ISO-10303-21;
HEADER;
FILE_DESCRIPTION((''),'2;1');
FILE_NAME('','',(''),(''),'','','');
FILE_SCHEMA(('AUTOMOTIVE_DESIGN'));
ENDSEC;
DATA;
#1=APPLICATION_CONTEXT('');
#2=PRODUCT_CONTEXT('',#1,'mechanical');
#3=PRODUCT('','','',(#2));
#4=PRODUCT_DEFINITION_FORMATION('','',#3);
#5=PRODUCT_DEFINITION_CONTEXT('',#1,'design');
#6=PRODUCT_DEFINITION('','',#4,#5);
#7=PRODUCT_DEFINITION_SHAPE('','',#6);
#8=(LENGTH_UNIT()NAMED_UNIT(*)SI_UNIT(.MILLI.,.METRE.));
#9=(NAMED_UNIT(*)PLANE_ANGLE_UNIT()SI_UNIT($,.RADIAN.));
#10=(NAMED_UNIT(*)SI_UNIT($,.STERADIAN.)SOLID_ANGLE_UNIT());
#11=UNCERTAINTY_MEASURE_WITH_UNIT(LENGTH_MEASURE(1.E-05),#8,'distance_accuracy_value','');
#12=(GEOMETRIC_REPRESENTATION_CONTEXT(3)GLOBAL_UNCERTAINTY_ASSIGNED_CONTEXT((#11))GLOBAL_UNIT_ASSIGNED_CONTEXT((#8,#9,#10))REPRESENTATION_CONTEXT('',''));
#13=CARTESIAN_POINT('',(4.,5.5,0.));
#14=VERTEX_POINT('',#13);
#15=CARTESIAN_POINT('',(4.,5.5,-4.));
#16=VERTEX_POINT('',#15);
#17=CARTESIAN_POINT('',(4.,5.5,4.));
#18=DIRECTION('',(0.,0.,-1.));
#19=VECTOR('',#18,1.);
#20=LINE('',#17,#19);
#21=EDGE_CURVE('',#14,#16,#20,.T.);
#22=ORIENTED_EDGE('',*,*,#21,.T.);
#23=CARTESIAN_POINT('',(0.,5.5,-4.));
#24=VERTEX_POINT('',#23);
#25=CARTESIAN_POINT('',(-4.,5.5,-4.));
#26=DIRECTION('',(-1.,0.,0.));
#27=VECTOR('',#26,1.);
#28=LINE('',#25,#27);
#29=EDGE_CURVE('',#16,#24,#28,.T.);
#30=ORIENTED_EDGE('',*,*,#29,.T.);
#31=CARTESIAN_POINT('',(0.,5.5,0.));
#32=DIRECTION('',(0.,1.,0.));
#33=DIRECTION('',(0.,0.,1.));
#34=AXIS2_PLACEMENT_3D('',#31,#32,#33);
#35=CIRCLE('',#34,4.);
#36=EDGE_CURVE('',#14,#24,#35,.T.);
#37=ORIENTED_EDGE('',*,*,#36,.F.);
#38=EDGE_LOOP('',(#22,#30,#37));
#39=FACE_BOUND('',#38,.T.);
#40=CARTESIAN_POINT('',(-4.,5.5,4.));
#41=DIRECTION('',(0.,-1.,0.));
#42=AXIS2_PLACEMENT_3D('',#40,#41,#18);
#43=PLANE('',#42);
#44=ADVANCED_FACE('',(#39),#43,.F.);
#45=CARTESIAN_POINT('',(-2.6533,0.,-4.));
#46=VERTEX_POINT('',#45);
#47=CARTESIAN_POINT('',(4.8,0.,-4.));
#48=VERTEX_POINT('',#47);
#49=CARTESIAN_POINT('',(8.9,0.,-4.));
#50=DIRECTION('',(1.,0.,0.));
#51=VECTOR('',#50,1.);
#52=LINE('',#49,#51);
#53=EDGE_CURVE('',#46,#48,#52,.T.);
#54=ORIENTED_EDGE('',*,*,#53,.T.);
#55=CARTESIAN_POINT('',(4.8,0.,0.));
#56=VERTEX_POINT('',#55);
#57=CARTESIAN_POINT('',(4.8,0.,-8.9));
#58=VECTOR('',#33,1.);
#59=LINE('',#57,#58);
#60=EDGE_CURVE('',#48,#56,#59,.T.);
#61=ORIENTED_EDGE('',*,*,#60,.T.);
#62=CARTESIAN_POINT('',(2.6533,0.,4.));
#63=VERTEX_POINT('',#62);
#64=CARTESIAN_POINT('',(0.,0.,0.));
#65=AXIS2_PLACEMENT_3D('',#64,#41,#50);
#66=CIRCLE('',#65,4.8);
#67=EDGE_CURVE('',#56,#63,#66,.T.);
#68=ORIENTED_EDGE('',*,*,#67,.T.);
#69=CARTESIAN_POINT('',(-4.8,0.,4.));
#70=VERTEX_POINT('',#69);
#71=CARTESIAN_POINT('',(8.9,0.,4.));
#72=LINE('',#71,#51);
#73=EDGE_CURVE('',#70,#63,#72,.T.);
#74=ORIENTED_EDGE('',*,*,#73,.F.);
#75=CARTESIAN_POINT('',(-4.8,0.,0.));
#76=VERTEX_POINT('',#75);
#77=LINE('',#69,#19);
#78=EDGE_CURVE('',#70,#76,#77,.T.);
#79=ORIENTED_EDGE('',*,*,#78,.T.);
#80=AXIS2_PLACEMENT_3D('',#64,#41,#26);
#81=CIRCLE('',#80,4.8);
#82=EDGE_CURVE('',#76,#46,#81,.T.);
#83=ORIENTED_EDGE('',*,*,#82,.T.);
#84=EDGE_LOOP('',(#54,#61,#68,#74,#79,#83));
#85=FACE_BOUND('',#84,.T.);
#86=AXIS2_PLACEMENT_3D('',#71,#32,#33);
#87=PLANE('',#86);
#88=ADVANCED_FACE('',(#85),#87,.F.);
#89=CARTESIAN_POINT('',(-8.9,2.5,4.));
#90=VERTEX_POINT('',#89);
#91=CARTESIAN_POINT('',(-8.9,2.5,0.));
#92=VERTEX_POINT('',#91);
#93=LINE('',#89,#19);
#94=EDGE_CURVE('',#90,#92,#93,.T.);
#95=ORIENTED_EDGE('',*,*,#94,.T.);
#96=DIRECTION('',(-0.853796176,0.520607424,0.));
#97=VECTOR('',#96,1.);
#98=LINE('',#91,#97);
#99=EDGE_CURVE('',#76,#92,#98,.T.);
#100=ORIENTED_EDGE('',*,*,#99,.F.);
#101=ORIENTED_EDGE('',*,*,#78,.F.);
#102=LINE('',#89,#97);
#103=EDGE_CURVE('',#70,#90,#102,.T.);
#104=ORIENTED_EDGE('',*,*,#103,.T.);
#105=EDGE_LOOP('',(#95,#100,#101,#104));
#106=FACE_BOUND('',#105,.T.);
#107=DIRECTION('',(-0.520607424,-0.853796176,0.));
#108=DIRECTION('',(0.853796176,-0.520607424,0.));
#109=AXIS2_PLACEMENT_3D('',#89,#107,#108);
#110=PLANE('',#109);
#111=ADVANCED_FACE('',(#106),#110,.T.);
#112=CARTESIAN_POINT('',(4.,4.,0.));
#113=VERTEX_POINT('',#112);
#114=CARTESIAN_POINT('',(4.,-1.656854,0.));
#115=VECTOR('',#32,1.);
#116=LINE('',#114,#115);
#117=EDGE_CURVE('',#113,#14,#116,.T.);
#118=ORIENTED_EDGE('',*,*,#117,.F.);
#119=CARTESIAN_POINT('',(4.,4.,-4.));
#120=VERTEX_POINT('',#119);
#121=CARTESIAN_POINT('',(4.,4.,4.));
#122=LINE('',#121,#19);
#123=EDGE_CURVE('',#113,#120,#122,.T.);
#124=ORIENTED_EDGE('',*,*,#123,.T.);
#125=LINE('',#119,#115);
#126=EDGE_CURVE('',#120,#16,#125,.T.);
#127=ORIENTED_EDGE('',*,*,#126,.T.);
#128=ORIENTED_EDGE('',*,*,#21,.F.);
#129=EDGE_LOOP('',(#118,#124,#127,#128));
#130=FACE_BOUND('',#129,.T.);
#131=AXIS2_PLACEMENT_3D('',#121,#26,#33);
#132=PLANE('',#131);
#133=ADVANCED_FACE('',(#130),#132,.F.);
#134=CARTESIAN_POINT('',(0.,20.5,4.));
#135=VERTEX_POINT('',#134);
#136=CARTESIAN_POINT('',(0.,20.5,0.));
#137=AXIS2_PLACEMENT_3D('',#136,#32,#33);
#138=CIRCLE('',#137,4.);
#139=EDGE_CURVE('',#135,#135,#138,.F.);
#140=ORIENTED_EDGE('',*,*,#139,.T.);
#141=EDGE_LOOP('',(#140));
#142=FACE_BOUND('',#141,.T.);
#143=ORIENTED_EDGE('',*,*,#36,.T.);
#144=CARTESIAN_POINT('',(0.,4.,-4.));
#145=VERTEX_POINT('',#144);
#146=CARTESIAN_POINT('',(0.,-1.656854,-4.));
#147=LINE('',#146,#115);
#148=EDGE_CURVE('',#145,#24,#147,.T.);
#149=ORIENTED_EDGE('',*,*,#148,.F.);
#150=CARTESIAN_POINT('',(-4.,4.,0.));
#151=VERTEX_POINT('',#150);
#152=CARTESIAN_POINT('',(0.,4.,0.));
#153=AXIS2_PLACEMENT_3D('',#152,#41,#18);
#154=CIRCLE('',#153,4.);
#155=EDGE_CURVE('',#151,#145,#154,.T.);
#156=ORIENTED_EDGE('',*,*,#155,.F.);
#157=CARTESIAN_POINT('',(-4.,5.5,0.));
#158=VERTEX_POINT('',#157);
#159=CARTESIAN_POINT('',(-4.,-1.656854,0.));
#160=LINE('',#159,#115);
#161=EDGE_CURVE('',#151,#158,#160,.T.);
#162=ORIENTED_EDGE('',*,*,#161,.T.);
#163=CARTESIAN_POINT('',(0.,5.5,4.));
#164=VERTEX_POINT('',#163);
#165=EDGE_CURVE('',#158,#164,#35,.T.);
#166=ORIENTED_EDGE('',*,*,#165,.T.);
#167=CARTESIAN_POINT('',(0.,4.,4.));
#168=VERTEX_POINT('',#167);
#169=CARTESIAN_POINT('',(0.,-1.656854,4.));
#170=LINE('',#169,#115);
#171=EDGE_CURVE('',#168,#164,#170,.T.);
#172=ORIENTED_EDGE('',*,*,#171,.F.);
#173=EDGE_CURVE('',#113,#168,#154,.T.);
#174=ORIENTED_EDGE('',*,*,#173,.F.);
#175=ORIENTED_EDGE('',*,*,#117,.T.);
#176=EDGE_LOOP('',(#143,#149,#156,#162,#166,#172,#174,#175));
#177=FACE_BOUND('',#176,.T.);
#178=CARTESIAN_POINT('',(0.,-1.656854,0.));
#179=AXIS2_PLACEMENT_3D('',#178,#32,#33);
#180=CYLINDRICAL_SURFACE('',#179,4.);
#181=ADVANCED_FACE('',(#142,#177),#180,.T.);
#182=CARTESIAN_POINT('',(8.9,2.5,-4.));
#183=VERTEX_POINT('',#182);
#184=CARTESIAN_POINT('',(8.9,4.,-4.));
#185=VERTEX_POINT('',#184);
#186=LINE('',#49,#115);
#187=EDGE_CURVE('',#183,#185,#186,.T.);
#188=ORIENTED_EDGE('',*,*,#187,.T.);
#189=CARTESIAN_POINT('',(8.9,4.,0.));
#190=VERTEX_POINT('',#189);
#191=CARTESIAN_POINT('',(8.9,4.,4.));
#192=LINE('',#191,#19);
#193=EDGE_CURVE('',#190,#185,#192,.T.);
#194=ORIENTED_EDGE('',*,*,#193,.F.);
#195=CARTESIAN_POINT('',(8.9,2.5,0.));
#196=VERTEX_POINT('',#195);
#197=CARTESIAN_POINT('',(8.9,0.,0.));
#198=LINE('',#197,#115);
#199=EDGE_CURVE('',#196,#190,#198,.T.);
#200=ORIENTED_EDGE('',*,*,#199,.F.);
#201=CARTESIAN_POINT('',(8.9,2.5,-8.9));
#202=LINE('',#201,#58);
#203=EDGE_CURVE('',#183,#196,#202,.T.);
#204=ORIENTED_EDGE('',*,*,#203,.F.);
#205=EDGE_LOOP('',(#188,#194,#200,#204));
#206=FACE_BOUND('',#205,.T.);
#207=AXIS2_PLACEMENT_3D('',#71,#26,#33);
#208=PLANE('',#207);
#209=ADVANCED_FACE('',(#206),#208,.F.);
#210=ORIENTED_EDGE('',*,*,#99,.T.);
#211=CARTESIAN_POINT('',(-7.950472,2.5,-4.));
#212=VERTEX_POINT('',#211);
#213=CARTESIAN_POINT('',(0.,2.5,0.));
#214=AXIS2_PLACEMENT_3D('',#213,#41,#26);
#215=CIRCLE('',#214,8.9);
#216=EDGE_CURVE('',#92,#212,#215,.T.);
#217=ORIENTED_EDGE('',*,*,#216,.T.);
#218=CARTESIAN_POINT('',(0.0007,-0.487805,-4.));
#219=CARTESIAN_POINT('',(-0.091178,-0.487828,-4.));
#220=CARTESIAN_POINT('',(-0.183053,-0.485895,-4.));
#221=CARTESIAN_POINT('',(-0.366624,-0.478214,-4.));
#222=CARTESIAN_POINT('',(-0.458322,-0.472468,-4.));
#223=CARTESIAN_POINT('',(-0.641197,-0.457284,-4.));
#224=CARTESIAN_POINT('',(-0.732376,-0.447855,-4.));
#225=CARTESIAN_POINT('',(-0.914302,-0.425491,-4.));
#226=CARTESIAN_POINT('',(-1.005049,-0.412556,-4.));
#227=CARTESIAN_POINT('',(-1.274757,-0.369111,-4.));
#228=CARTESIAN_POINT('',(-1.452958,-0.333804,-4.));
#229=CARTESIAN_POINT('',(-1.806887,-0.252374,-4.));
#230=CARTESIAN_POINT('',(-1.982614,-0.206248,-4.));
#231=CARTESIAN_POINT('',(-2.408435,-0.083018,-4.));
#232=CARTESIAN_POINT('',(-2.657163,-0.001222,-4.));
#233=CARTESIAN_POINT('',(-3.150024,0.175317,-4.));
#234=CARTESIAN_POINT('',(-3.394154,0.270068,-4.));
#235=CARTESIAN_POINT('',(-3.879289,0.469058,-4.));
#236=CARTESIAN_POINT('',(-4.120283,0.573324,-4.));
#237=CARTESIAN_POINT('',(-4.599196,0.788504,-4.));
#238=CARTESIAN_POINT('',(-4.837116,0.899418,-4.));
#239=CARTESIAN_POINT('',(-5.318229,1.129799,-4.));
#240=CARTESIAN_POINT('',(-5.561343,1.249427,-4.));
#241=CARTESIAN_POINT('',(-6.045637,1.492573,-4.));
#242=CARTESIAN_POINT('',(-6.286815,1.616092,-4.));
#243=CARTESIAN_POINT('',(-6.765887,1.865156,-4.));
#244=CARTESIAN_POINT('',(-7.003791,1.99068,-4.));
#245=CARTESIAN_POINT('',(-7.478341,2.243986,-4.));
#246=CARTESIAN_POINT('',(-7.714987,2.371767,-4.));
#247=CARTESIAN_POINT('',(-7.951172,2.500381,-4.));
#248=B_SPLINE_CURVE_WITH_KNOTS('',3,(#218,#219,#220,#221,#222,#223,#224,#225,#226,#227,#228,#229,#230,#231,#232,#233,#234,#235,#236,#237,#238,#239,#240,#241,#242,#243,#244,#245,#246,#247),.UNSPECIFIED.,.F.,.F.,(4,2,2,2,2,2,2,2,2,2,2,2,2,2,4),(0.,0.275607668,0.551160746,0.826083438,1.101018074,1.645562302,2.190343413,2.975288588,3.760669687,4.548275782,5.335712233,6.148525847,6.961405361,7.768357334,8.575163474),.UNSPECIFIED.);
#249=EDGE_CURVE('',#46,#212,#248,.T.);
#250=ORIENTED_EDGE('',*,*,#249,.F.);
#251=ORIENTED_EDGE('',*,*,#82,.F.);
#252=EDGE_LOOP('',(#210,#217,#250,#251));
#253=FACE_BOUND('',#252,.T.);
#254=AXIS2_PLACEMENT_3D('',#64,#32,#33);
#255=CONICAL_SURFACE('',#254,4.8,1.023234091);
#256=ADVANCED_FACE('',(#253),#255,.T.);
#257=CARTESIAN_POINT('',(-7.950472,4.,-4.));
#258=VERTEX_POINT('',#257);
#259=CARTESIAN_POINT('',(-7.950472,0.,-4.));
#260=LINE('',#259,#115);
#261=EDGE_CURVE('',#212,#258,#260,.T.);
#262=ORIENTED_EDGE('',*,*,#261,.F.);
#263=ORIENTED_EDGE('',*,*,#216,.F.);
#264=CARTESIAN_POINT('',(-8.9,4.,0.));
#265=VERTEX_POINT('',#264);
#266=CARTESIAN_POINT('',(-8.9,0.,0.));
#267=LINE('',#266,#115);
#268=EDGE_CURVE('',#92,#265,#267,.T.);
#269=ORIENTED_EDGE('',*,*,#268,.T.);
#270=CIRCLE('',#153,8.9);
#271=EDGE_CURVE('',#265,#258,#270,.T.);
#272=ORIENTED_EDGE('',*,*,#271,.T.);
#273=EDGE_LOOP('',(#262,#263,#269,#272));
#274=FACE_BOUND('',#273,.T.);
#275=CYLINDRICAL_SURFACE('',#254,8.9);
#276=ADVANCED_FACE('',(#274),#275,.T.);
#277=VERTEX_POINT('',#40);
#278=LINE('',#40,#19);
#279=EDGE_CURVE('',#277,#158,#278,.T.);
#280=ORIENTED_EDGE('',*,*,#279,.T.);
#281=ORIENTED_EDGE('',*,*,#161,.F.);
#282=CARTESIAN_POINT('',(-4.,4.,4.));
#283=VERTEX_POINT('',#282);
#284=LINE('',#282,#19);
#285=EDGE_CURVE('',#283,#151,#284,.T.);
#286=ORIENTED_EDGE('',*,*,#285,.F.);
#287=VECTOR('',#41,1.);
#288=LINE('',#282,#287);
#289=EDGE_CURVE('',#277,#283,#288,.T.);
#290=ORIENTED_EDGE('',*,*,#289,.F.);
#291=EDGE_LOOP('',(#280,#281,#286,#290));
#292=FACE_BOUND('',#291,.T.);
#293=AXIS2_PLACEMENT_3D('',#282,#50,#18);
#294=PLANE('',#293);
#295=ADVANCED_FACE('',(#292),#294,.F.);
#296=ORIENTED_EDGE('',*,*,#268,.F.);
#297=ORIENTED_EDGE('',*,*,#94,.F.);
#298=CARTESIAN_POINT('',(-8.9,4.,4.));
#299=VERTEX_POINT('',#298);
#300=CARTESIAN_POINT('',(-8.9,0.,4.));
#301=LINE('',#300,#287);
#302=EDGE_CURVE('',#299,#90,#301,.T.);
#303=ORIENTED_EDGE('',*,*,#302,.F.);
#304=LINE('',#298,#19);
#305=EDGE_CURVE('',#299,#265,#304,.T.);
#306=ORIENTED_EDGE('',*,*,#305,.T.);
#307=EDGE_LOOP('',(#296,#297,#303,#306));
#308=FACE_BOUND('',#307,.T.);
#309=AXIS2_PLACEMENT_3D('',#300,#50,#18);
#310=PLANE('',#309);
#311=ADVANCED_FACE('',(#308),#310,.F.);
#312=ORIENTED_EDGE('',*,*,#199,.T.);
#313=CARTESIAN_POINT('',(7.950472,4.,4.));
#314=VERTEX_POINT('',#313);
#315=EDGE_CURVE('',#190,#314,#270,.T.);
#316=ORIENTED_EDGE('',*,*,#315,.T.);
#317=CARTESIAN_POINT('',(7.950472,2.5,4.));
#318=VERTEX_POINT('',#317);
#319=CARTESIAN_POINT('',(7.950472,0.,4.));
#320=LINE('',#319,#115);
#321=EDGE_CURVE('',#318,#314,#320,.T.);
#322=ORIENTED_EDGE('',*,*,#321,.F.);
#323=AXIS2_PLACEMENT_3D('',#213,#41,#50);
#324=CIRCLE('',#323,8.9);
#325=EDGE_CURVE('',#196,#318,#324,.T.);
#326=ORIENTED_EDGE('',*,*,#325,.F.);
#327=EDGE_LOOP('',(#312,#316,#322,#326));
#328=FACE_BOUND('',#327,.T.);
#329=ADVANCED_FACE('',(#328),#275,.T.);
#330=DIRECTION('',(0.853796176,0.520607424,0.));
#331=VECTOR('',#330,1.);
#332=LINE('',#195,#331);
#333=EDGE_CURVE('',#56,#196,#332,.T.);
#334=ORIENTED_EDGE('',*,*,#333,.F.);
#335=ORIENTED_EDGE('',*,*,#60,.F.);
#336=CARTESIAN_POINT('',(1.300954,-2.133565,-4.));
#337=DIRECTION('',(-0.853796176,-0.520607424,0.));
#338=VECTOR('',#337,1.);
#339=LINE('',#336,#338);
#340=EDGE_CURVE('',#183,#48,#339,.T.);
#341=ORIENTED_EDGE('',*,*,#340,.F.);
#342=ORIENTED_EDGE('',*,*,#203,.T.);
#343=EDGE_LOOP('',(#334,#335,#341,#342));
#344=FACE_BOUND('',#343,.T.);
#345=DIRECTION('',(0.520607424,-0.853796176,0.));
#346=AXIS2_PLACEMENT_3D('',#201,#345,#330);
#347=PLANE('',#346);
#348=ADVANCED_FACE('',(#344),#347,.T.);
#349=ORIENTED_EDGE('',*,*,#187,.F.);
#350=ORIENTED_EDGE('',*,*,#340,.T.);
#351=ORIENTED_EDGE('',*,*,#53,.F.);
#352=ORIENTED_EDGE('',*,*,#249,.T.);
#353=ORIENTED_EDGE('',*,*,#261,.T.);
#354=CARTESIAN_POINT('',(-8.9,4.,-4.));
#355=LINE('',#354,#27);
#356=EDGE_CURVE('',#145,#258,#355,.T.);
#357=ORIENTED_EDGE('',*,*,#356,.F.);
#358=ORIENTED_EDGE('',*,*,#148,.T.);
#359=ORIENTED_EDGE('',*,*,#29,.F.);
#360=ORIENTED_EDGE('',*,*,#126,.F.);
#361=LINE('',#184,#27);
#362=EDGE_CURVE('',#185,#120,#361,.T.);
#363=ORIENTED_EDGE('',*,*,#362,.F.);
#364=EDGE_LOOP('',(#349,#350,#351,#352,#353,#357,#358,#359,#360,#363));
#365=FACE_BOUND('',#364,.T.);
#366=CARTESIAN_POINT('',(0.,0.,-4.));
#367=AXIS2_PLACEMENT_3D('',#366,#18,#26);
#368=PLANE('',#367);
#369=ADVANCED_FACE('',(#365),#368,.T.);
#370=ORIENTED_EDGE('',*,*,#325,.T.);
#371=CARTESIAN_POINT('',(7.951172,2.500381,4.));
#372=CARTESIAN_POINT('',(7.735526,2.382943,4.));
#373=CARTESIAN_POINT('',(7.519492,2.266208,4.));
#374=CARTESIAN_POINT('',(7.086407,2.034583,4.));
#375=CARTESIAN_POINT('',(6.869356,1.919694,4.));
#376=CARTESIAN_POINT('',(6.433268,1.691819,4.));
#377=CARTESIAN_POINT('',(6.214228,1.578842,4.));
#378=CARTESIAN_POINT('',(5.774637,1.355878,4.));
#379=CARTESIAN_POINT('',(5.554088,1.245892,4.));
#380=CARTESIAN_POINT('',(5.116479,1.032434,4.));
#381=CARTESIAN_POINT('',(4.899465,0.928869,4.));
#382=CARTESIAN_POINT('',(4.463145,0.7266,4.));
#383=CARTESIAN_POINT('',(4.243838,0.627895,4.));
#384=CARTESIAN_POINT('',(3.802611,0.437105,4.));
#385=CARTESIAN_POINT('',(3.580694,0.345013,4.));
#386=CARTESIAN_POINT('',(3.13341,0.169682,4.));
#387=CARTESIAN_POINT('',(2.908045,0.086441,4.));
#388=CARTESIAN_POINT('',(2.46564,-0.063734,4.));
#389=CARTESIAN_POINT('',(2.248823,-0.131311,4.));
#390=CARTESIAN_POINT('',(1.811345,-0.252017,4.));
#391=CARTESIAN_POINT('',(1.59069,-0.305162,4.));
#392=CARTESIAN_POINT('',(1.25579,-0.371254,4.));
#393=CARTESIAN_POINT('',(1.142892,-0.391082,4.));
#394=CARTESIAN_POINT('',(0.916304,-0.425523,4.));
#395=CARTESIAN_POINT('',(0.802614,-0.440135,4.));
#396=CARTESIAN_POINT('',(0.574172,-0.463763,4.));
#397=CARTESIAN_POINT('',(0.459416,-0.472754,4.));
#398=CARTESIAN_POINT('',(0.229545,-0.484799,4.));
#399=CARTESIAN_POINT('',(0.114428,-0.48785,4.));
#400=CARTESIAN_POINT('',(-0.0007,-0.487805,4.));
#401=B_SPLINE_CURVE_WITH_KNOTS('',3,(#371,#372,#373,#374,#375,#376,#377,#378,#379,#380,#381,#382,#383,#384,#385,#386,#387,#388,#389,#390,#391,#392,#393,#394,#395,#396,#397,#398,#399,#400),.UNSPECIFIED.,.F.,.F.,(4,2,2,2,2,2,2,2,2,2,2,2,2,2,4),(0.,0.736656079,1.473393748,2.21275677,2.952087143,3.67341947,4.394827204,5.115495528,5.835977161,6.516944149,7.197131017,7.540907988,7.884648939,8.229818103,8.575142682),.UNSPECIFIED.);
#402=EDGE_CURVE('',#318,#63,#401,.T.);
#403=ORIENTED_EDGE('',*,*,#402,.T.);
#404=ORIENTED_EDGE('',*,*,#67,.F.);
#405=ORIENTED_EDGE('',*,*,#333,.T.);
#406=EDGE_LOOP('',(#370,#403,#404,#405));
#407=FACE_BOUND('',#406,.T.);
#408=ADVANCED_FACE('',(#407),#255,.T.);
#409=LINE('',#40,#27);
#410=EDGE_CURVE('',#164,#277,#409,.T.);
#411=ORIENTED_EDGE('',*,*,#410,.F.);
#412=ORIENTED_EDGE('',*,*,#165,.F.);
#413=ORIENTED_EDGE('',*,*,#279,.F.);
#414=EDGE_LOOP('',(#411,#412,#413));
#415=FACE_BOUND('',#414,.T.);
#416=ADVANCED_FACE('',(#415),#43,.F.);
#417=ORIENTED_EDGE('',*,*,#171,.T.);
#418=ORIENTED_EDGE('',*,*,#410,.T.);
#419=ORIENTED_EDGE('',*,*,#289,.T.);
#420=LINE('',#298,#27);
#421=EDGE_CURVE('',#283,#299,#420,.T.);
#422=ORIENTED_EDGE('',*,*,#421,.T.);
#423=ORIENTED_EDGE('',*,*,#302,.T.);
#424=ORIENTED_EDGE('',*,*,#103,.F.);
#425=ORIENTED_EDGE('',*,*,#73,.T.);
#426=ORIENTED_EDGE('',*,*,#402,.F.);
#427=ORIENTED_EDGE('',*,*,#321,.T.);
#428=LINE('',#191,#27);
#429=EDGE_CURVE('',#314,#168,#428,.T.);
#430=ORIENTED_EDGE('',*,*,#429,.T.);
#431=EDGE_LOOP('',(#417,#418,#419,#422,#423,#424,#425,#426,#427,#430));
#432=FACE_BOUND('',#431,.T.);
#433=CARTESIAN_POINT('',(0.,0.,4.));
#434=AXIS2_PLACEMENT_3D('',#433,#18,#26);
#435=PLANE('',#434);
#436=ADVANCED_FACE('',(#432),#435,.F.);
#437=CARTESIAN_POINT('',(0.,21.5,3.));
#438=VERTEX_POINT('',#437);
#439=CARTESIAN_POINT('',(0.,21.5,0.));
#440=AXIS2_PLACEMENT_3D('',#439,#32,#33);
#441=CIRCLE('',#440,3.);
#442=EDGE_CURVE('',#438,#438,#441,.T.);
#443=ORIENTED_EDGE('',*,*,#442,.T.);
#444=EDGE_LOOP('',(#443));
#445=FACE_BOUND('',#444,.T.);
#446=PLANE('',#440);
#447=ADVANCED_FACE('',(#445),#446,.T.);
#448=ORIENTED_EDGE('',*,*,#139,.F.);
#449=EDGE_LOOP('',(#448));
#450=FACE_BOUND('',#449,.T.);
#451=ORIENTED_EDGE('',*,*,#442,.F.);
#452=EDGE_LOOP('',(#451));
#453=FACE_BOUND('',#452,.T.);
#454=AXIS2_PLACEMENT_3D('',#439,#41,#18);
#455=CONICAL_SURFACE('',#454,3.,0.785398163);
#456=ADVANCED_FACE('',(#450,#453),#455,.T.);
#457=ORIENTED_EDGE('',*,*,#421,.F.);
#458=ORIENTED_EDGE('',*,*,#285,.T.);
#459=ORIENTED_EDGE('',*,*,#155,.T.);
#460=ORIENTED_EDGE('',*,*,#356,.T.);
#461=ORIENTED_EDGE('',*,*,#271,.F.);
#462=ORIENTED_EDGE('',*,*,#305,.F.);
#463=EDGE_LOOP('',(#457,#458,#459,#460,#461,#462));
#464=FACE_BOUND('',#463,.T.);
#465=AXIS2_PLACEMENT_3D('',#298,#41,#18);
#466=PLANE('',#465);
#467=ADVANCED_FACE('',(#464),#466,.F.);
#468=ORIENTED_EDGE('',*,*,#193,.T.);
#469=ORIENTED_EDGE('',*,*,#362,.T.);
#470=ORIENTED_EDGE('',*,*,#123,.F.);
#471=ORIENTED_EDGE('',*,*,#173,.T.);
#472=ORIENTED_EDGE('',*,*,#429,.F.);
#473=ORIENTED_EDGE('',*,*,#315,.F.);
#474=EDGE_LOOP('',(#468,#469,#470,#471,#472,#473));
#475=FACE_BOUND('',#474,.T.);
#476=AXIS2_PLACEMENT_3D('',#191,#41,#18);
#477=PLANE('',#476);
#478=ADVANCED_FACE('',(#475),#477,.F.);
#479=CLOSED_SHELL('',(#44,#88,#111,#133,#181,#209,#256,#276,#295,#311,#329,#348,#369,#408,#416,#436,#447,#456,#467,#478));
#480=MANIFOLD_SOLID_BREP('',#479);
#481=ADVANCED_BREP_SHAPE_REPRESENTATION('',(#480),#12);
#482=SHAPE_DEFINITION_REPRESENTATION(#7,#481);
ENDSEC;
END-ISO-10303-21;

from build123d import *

# Parameters (mm, degrees)
EXTRUDE_1_DEPTH     = 4
CUT_EXTRUDE_1_DEPTH = 1.5
SKETCH_2_R          = 4
EXTRUDE_2_DEPTH     = 16
CUT_EXTRUDE_2_DEPTH = 5
CHAMFER_2_SIZE      = 1


with BuildPart() as part:
    # Эскиз1 → Бобышка-Вытянуть1 (new body, symmetric)
    with BuildSketch(Plane.XY):
        Polygon((8.9, 0), (-8.9, 0), (-8.9, 4), (-4, 4), (-4, 5.5), (4, 5.5), (4, 4), (8.9, 4), align=None)
    extrude(amount=EXTRUDE_1_DEPTH, both=True)

    # Эскиз3 → Вырез-Вытянуть1 (cut)
    with BuildSketch(Plane(origin=(0, 5.5, 0), x_dir=(1, 0, 0), z_dir=(0, 1, 0))):
        with BuildLine():
            Line((-4, 0), (-4, 4))
            Line((-4, 4), (0, 4))
            ThreePointArc((0, 4), (-2.828427125, 2.828427125), (-4, 0))
        make_face()
        with BuildLine():
            Line((0, -4), (4, -4))
            Line((4, -4), (4, 0))
            ThreePointArc((4, 0), (2.828427125, -2.828427125), (0, -4))
        make_face()
    extrude(amount=-CUT_EXTRUDE_1_DEPTH, mode=Mode.SUBTRACT)

    # Эскиз2 → Бобышка-Вытянуть2 (add)
    with BuildSketch(Plane(origin=(0, 5.5, 0), x_dir=(1, 0, 0), z_dir=(0, 1, 0))):
        with Locations(Location((0, 0, 0), (0, 0, 270))):  # turned: the seam where the file's is
            Circle(SKETCH_2_R)
    extrude(amount=EXTRUDE_2_DEPTH)

    # Эскиз4 → Вырез-Вытянуть2 (cut, through all)
    with BuildSketch(Plane(origin=(0, 4, 0), x_dir=(1, 0, 0), z_dir=(0, 1, 0))):
        with BuildLine():
            Line((-7.950471684, 4), (-8.9, 4))
            Line((-8.9, 4), (-8.9, 0))
            ThreePointArc((-8.9, 0), (-8.659364815, 2.055578022), (-7.950471684, 4))
        make_face()
        with BuildLine():
            Line((7.950471684, -4), (8.9, -4))
            Line((8.9, -4), (8.9, 0))
            ThreePointArc((8.9, 0), (8.659364815, -2.055578022), (7.950471684, -4))
        make_face()
    extrude(amount=-CUT_EXTRUDE_2_DEPTH, mode=Mode.SUBTRACT)

    # Вырез-По траектории1: sweep along a path in Эскиз6
    with BuildLine(Plane.XZ) as sweep_1_path:
        Line((0, -8.9), (8.9, -8.9))
        Line((8.9, -8.9), (8.9, 0))
        ThreePointArc((8.9, 0), (6.293250353, 6.293250353), (0, 8.9))
        Line((0, 8.9), (-8.9, 8.9))
        Line((-8.9, 8.9), (-8.9, 0))
        ThreePointArc((-8.9, 0), (-6.293250353, -6.293250353), (0, -8.9))
    # Эскиз5 → Вырез-По траектории1 (sweep, cut)
    with BuildSketch(Plane.XY.offset(4)):
        Polygon((-8.9, 2.5), (-4.8, 0), (-8.9, 0), align=None)
    sweep(path=sweep_1_path.line, transition=Transition.RIGHT, mode=Mode.SUBTRACT)

    # Фаска2
    chamfer_2_edges = [part.edges().sort_by_distance(p)[0] for p in [
        (0, 21.5, -4),
    ]]
    chamfer(chamfer_2_edges, length=CHAMFER_2_SIZE)


solid = part.part
